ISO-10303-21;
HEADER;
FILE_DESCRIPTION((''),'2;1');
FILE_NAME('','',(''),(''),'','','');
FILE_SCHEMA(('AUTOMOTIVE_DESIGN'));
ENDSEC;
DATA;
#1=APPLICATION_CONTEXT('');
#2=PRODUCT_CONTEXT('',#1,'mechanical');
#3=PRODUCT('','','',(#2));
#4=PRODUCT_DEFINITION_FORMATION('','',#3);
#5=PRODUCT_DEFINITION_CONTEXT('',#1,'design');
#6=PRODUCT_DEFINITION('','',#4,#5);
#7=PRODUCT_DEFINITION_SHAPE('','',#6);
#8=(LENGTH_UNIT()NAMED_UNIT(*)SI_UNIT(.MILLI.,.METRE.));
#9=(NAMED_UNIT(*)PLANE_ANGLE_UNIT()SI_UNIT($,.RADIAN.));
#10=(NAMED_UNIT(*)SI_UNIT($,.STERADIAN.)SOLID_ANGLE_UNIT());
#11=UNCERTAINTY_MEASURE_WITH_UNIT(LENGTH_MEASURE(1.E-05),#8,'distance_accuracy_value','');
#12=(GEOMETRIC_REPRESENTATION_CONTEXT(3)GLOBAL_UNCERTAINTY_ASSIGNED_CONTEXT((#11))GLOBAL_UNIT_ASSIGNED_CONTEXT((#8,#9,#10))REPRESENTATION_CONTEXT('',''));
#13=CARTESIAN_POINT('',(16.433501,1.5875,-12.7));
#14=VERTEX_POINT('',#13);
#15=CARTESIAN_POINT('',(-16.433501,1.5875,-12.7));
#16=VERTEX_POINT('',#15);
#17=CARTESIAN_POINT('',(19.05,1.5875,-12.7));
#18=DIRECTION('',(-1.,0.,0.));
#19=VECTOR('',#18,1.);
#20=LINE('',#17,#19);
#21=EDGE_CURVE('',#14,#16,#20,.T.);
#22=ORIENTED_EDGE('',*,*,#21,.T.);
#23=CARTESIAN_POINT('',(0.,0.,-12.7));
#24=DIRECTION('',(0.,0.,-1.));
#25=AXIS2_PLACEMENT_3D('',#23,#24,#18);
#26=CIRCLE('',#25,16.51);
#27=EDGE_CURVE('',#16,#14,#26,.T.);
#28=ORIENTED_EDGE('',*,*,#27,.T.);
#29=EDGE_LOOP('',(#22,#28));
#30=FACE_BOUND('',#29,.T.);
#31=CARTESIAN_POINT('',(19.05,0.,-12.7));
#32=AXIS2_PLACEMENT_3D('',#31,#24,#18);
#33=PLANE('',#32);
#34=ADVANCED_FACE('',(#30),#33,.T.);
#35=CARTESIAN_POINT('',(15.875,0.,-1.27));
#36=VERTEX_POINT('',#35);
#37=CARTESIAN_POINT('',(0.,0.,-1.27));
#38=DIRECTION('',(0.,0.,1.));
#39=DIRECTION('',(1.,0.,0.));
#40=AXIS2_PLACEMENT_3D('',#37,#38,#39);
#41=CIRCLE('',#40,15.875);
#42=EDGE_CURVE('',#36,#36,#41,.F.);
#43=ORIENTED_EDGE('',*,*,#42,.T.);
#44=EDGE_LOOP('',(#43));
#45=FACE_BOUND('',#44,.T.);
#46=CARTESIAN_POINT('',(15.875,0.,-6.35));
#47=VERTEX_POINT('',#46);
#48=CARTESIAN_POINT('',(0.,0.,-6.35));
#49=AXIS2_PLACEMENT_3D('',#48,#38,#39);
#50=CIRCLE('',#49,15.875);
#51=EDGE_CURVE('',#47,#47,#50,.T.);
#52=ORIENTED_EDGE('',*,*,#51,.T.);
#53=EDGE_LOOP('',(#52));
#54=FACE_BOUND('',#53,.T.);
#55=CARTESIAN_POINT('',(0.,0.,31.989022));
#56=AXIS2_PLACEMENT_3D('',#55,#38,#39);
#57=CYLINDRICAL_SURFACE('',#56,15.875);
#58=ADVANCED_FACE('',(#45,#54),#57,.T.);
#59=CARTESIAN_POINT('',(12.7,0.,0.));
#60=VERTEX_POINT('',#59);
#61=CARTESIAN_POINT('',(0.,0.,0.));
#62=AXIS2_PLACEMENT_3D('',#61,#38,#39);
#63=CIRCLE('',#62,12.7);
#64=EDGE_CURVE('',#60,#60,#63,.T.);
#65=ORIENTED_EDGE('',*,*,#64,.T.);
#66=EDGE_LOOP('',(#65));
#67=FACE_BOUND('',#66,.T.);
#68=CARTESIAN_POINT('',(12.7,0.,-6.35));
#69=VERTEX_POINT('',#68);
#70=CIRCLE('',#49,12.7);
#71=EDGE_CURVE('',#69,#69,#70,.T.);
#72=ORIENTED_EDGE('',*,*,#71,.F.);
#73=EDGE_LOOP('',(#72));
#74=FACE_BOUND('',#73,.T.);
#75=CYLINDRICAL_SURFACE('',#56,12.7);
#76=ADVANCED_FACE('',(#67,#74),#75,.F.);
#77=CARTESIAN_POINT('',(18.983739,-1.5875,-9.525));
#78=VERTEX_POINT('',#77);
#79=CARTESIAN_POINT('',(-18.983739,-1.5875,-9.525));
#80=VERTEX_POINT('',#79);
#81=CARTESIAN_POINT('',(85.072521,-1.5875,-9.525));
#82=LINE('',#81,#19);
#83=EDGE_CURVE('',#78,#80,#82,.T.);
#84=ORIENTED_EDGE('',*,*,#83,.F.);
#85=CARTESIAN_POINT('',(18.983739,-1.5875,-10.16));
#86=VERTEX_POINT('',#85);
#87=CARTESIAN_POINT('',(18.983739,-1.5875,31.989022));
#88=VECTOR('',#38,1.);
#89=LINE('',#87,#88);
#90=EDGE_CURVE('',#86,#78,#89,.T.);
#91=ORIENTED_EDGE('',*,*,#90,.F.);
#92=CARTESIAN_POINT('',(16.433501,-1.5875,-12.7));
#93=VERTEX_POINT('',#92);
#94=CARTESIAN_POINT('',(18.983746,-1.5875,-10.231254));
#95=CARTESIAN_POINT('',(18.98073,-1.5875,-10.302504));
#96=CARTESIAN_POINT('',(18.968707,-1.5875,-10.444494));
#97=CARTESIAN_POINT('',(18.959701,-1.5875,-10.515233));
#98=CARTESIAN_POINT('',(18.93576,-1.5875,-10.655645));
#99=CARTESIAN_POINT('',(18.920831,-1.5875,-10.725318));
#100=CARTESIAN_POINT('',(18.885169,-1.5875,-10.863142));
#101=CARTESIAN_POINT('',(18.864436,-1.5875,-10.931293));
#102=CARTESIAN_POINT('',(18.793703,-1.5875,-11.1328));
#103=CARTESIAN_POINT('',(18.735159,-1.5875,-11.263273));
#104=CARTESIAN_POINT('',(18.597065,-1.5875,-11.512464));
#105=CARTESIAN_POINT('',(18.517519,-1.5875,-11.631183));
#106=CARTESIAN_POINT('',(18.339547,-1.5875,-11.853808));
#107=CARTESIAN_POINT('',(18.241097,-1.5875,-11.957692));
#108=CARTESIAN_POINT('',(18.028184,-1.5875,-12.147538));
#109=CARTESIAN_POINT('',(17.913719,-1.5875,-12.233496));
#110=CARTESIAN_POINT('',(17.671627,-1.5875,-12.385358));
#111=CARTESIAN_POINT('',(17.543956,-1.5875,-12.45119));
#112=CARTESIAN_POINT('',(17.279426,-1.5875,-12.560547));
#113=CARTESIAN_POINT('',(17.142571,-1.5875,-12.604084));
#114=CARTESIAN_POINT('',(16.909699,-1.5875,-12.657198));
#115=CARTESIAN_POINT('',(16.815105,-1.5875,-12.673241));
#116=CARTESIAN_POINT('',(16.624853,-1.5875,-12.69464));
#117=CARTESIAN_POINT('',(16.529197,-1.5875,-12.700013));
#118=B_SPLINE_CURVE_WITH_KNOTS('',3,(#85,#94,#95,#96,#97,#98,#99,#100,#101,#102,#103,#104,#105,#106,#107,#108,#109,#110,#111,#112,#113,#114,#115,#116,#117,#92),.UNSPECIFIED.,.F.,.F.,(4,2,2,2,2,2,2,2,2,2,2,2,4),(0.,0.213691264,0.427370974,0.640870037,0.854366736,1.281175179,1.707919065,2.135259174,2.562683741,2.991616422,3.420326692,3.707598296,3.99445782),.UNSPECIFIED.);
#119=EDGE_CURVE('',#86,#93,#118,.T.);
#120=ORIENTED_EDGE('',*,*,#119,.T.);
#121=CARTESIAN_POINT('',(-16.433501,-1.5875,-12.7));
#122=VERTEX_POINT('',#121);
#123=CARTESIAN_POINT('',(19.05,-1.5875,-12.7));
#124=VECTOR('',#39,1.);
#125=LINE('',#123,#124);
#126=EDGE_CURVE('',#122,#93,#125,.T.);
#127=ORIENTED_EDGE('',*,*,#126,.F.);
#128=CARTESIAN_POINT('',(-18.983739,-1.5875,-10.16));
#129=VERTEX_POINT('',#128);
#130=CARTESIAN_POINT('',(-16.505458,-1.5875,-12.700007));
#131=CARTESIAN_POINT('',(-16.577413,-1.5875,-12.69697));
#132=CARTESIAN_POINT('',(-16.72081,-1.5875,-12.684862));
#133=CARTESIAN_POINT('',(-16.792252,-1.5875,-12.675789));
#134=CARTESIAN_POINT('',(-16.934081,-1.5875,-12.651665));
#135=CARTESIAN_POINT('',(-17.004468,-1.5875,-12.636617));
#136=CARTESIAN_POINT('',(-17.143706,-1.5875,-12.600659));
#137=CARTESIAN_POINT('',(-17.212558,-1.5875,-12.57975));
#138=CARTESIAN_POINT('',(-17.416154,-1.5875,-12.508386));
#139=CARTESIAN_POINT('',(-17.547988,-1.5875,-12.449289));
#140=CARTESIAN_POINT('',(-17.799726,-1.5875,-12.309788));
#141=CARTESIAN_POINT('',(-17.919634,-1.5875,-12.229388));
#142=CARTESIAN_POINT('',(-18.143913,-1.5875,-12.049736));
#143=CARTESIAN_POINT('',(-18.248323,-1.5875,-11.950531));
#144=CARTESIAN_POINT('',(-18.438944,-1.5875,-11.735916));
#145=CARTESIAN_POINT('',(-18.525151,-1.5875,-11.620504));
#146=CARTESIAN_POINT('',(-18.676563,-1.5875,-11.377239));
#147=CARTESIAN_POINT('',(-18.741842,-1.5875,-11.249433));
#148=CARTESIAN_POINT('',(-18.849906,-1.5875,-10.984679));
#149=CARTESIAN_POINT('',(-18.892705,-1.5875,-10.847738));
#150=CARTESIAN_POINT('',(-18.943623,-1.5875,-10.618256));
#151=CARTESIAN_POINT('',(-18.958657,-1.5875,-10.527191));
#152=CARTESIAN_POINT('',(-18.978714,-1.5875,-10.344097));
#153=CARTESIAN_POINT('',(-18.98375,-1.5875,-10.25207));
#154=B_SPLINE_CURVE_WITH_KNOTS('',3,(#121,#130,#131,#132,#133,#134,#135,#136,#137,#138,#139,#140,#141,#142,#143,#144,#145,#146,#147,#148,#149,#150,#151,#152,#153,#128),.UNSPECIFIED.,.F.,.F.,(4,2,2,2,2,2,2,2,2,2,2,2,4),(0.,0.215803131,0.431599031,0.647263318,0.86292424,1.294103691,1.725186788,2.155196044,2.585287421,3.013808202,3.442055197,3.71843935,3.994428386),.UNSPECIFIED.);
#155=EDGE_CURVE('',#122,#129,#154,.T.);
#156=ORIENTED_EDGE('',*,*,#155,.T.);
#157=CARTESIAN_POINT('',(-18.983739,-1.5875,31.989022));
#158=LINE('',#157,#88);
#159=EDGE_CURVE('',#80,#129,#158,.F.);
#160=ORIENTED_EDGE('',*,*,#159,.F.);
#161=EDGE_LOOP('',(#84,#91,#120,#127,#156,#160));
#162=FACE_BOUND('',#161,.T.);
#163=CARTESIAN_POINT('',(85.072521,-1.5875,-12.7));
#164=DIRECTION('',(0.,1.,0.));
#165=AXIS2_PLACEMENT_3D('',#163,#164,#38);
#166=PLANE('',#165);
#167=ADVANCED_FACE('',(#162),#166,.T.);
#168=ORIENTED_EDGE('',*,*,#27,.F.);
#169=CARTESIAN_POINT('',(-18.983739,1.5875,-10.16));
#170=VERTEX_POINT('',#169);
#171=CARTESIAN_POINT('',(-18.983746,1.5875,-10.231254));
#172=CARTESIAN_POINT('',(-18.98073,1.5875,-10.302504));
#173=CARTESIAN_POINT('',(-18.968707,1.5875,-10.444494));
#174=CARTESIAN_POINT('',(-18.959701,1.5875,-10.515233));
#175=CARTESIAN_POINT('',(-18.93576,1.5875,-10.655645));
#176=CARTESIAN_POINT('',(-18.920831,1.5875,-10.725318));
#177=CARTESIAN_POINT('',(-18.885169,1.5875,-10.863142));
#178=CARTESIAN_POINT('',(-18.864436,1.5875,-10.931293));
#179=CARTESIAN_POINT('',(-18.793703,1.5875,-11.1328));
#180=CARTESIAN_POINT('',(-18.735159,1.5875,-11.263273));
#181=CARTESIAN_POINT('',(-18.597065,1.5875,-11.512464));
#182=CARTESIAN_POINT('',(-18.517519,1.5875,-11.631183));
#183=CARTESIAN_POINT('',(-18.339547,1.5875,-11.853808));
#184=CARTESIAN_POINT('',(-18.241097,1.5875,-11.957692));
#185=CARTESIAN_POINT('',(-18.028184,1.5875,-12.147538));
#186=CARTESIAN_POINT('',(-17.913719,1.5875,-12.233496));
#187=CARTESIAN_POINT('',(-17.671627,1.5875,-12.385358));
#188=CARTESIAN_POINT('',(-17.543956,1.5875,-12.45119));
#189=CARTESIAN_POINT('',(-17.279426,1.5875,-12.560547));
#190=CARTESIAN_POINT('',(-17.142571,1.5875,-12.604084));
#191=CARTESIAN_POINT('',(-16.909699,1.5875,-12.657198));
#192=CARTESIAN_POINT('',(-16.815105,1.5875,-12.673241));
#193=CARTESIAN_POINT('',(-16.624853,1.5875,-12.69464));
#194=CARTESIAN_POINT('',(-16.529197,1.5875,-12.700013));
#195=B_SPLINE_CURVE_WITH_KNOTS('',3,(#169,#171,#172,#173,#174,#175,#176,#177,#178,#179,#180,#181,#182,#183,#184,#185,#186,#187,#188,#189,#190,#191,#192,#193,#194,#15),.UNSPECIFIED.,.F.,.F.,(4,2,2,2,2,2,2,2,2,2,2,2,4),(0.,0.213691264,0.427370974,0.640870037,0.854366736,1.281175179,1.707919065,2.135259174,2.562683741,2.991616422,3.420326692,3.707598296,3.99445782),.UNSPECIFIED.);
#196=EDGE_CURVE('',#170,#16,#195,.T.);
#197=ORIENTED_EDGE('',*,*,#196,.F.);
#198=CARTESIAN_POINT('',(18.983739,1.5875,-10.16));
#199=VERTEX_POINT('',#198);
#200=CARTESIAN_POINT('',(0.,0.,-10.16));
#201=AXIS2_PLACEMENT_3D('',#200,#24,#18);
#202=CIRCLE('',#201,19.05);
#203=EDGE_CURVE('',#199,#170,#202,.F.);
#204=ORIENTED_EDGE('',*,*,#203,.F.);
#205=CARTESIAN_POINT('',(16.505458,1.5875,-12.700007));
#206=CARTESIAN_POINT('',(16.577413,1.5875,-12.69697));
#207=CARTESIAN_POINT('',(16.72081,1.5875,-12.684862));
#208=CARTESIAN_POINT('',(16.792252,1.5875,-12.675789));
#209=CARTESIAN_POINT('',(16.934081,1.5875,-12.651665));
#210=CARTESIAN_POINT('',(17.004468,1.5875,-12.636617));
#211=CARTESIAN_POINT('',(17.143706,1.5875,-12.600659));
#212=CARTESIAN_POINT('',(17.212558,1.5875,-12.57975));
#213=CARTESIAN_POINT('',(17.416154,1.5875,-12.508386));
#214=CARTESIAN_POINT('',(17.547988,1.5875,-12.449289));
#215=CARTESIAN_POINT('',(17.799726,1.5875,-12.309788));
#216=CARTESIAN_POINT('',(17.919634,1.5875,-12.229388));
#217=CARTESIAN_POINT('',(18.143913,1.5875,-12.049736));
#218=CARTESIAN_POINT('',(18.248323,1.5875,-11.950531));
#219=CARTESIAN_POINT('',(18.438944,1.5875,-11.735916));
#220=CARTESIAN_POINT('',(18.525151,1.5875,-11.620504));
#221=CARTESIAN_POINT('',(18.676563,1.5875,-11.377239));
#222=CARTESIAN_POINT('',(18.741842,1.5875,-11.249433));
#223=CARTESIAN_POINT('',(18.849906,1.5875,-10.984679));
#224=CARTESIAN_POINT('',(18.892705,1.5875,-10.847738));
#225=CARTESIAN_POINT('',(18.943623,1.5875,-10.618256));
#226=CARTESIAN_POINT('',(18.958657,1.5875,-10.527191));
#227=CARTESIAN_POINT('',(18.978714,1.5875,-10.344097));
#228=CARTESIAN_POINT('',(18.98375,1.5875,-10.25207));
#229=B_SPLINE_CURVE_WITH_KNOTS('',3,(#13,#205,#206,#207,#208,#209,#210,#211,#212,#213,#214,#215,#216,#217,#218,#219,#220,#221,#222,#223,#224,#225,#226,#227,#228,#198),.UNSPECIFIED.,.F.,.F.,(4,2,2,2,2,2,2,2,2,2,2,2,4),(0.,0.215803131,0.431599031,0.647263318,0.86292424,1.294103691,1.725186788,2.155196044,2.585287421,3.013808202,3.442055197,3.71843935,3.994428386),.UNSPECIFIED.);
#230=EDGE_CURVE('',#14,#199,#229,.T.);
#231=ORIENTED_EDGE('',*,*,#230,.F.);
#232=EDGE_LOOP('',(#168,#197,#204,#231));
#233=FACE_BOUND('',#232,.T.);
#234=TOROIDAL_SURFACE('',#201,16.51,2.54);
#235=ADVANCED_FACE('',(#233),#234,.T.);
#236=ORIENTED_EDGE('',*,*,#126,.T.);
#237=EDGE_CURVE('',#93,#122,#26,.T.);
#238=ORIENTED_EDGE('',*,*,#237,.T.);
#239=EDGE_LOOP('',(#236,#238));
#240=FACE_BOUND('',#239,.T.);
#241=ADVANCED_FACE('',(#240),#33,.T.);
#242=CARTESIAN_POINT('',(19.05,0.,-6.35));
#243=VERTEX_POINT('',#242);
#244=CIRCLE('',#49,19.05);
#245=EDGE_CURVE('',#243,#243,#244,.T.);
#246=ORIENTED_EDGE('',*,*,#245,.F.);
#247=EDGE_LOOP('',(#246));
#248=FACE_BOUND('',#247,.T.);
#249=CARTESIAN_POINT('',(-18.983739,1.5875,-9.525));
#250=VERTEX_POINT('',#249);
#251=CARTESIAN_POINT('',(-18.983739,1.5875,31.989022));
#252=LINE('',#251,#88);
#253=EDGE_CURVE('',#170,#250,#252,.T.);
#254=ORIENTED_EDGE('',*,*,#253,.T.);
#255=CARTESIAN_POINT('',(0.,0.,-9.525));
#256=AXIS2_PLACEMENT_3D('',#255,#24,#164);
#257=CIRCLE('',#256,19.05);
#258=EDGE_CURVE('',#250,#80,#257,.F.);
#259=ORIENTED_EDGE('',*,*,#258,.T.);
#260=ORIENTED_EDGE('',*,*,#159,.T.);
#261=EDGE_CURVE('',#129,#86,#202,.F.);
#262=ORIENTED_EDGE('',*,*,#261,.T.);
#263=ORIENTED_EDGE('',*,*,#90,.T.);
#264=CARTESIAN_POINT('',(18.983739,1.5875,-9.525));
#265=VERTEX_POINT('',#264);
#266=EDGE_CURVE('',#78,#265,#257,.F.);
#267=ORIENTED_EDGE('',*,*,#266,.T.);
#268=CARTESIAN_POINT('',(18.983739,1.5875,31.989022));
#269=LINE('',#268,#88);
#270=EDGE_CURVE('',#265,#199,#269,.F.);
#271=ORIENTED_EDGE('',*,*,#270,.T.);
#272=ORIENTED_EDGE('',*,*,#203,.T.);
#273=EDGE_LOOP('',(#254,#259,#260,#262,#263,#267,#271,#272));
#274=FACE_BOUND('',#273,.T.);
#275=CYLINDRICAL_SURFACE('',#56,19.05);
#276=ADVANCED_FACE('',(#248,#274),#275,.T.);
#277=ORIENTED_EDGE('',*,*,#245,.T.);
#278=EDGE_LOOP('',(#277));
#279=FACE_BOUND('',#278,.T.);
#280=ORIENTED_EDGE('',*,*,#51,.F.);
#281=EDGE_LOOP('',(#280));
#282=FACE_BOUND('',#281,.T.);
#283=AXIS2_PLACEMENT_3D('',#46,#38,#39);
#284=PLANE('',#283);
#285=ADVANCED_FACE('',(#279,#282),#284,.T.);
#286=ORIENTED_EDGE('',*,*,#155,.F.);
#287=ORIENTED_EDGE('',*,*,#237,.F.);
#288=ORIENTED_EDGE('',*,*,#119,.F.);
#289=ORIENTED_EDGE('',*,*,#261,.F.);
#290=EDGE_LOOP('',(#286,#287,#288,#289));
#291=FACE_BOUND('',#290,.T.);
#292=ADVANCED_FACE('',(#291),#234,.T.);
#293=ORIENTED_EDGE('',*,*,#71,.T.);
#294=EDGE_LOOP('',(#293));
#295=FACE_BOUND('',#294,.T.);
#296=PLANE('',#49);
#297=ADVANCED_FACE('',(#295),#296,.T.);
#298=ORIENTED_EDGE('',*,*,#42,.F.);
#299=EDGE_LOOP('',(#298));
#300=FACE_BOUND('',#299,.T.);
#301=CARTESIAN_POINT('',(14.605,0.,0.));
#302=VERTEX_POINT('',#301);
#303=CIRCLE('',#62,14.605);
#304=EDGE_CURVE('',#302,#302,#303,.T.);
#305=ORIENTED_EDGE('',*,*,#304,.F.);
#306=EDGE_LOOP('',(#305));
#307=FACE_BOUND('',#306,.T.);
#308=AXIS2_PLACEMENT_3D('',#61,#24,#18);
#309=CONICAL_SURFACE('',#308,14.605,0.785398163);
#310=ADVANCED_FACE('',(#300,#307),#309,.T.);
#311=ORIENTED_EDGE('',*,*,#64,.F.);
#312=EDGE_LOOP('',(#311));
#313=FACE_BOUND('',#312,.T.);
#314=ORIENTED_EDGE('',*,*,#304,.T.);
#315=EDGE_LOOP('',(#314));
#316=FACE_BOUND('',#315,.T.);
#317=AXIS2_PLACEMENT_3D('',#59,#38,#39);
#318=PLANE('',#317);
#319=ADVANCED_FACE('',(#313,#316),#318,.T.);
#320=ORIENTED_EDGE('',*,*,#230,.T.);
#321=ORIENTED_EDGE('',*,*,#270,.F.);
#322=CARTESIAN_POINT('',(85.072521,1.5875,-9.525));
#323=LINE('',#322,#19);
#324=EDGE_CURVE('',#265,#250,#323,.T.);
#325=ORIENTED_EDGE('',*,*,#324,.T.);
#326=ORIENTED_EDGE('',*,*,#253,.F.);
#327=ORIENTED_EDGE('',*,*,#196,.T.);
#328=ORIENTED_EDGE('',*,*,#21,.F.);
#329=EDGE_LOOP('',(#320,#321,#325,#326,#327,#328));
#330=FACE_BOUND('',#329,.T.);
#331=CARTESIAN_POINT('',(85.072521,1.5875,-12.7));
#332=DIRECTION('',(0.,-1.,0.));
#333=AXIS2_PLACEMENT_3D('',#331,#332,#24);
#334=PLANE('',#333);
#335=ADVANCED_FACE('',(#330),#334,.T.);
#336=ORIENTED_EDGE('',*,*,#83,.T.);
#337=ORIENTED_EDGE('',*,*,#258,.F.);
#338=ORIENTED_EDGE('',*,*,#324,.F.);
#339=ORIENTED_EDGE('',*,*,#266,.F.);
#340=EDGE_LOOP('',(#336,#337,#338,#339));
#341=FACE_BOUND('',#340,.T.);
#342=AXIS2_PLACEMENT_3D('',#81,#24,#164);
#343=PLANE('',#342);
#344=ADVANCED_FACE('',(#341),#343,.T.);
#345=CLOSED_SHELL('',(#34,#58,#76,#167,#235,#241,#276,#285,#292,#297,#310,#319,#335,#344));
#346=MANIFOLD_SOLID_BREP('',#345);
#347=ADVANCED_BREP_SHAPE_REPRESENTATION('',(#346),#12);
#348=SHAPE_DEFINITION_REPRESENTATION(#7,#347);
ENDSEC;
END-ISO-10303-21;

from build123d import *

# Parameters (mm, degrees)
CUT_EXTRUDE1_DEPTH      = 20.05
CUT_EXTRUDE1_DEPTH_BACK = 20.05
FILLET1_R               = 2.54
CHAMFER1_SIZE           = 1.27


with BuildPart() as part:
    # Sketch1 → Revolve1 (revolve)
    with BuildSketch(Plane(origin=(0, 0, 0), x_dir=(1, 0, 0), z_dir=(0, 1, 0))):
        Polygon((12.7, 0), (15.875, 0), (15.875, 6.35), (19.05, 6.35), (19.05, 12.7), (0, 12.7), (0, 6.35), (12.7, 6.35), align=None)
    revolve(axis=Axis((0, 0, 31.989022308), (0, 0, -1)))

    # Sketch2 → Cut-Extrude1 (cut, two sides)
    with BuildSketch(Plane(origin=(0, 0, 0), x_dir=(0, 0, -1), z_dir=(1, 0, 0))) as cut_extrude1_sk:
        Polygon((71.164271634, -1.5875), (12.7, -1.5875), (9.525, -1.5875), (9.525, 1.5875), (12.7, 1.5875), (71.164271634, 1.5875), (188.092814902, 1.5875), (188.092814902, -1.5875), align=None)
    extrude(amount=CUT_EXTRUDE1_DEPTH, mode=Mode.SUBTRACT)
    extrude(cut_extrude1_sk.sketch, amount=-CUT_EXTRUDE1_DEPTH_BACK, mode=Mode.SUBTRACT)

    # Fillet1
    fillet1_edges = [part.edges().sort_by_distance(p)[0] for p in [
        (0, -19.05, -12.7),
        (0, 19.05, -12.7),
    ]]
    fillet(fillet1_edges, radius=FILLET1_R)

    # Chamfer1
    chamfer1_edges = [part.edges().sort_by_distance(p)[0] for p in [
        (-15.875, 0, 0),
    ]]
    chamfer(chamfer1_edges, length=CHAMFER1_SIZE)


solid = part.part
